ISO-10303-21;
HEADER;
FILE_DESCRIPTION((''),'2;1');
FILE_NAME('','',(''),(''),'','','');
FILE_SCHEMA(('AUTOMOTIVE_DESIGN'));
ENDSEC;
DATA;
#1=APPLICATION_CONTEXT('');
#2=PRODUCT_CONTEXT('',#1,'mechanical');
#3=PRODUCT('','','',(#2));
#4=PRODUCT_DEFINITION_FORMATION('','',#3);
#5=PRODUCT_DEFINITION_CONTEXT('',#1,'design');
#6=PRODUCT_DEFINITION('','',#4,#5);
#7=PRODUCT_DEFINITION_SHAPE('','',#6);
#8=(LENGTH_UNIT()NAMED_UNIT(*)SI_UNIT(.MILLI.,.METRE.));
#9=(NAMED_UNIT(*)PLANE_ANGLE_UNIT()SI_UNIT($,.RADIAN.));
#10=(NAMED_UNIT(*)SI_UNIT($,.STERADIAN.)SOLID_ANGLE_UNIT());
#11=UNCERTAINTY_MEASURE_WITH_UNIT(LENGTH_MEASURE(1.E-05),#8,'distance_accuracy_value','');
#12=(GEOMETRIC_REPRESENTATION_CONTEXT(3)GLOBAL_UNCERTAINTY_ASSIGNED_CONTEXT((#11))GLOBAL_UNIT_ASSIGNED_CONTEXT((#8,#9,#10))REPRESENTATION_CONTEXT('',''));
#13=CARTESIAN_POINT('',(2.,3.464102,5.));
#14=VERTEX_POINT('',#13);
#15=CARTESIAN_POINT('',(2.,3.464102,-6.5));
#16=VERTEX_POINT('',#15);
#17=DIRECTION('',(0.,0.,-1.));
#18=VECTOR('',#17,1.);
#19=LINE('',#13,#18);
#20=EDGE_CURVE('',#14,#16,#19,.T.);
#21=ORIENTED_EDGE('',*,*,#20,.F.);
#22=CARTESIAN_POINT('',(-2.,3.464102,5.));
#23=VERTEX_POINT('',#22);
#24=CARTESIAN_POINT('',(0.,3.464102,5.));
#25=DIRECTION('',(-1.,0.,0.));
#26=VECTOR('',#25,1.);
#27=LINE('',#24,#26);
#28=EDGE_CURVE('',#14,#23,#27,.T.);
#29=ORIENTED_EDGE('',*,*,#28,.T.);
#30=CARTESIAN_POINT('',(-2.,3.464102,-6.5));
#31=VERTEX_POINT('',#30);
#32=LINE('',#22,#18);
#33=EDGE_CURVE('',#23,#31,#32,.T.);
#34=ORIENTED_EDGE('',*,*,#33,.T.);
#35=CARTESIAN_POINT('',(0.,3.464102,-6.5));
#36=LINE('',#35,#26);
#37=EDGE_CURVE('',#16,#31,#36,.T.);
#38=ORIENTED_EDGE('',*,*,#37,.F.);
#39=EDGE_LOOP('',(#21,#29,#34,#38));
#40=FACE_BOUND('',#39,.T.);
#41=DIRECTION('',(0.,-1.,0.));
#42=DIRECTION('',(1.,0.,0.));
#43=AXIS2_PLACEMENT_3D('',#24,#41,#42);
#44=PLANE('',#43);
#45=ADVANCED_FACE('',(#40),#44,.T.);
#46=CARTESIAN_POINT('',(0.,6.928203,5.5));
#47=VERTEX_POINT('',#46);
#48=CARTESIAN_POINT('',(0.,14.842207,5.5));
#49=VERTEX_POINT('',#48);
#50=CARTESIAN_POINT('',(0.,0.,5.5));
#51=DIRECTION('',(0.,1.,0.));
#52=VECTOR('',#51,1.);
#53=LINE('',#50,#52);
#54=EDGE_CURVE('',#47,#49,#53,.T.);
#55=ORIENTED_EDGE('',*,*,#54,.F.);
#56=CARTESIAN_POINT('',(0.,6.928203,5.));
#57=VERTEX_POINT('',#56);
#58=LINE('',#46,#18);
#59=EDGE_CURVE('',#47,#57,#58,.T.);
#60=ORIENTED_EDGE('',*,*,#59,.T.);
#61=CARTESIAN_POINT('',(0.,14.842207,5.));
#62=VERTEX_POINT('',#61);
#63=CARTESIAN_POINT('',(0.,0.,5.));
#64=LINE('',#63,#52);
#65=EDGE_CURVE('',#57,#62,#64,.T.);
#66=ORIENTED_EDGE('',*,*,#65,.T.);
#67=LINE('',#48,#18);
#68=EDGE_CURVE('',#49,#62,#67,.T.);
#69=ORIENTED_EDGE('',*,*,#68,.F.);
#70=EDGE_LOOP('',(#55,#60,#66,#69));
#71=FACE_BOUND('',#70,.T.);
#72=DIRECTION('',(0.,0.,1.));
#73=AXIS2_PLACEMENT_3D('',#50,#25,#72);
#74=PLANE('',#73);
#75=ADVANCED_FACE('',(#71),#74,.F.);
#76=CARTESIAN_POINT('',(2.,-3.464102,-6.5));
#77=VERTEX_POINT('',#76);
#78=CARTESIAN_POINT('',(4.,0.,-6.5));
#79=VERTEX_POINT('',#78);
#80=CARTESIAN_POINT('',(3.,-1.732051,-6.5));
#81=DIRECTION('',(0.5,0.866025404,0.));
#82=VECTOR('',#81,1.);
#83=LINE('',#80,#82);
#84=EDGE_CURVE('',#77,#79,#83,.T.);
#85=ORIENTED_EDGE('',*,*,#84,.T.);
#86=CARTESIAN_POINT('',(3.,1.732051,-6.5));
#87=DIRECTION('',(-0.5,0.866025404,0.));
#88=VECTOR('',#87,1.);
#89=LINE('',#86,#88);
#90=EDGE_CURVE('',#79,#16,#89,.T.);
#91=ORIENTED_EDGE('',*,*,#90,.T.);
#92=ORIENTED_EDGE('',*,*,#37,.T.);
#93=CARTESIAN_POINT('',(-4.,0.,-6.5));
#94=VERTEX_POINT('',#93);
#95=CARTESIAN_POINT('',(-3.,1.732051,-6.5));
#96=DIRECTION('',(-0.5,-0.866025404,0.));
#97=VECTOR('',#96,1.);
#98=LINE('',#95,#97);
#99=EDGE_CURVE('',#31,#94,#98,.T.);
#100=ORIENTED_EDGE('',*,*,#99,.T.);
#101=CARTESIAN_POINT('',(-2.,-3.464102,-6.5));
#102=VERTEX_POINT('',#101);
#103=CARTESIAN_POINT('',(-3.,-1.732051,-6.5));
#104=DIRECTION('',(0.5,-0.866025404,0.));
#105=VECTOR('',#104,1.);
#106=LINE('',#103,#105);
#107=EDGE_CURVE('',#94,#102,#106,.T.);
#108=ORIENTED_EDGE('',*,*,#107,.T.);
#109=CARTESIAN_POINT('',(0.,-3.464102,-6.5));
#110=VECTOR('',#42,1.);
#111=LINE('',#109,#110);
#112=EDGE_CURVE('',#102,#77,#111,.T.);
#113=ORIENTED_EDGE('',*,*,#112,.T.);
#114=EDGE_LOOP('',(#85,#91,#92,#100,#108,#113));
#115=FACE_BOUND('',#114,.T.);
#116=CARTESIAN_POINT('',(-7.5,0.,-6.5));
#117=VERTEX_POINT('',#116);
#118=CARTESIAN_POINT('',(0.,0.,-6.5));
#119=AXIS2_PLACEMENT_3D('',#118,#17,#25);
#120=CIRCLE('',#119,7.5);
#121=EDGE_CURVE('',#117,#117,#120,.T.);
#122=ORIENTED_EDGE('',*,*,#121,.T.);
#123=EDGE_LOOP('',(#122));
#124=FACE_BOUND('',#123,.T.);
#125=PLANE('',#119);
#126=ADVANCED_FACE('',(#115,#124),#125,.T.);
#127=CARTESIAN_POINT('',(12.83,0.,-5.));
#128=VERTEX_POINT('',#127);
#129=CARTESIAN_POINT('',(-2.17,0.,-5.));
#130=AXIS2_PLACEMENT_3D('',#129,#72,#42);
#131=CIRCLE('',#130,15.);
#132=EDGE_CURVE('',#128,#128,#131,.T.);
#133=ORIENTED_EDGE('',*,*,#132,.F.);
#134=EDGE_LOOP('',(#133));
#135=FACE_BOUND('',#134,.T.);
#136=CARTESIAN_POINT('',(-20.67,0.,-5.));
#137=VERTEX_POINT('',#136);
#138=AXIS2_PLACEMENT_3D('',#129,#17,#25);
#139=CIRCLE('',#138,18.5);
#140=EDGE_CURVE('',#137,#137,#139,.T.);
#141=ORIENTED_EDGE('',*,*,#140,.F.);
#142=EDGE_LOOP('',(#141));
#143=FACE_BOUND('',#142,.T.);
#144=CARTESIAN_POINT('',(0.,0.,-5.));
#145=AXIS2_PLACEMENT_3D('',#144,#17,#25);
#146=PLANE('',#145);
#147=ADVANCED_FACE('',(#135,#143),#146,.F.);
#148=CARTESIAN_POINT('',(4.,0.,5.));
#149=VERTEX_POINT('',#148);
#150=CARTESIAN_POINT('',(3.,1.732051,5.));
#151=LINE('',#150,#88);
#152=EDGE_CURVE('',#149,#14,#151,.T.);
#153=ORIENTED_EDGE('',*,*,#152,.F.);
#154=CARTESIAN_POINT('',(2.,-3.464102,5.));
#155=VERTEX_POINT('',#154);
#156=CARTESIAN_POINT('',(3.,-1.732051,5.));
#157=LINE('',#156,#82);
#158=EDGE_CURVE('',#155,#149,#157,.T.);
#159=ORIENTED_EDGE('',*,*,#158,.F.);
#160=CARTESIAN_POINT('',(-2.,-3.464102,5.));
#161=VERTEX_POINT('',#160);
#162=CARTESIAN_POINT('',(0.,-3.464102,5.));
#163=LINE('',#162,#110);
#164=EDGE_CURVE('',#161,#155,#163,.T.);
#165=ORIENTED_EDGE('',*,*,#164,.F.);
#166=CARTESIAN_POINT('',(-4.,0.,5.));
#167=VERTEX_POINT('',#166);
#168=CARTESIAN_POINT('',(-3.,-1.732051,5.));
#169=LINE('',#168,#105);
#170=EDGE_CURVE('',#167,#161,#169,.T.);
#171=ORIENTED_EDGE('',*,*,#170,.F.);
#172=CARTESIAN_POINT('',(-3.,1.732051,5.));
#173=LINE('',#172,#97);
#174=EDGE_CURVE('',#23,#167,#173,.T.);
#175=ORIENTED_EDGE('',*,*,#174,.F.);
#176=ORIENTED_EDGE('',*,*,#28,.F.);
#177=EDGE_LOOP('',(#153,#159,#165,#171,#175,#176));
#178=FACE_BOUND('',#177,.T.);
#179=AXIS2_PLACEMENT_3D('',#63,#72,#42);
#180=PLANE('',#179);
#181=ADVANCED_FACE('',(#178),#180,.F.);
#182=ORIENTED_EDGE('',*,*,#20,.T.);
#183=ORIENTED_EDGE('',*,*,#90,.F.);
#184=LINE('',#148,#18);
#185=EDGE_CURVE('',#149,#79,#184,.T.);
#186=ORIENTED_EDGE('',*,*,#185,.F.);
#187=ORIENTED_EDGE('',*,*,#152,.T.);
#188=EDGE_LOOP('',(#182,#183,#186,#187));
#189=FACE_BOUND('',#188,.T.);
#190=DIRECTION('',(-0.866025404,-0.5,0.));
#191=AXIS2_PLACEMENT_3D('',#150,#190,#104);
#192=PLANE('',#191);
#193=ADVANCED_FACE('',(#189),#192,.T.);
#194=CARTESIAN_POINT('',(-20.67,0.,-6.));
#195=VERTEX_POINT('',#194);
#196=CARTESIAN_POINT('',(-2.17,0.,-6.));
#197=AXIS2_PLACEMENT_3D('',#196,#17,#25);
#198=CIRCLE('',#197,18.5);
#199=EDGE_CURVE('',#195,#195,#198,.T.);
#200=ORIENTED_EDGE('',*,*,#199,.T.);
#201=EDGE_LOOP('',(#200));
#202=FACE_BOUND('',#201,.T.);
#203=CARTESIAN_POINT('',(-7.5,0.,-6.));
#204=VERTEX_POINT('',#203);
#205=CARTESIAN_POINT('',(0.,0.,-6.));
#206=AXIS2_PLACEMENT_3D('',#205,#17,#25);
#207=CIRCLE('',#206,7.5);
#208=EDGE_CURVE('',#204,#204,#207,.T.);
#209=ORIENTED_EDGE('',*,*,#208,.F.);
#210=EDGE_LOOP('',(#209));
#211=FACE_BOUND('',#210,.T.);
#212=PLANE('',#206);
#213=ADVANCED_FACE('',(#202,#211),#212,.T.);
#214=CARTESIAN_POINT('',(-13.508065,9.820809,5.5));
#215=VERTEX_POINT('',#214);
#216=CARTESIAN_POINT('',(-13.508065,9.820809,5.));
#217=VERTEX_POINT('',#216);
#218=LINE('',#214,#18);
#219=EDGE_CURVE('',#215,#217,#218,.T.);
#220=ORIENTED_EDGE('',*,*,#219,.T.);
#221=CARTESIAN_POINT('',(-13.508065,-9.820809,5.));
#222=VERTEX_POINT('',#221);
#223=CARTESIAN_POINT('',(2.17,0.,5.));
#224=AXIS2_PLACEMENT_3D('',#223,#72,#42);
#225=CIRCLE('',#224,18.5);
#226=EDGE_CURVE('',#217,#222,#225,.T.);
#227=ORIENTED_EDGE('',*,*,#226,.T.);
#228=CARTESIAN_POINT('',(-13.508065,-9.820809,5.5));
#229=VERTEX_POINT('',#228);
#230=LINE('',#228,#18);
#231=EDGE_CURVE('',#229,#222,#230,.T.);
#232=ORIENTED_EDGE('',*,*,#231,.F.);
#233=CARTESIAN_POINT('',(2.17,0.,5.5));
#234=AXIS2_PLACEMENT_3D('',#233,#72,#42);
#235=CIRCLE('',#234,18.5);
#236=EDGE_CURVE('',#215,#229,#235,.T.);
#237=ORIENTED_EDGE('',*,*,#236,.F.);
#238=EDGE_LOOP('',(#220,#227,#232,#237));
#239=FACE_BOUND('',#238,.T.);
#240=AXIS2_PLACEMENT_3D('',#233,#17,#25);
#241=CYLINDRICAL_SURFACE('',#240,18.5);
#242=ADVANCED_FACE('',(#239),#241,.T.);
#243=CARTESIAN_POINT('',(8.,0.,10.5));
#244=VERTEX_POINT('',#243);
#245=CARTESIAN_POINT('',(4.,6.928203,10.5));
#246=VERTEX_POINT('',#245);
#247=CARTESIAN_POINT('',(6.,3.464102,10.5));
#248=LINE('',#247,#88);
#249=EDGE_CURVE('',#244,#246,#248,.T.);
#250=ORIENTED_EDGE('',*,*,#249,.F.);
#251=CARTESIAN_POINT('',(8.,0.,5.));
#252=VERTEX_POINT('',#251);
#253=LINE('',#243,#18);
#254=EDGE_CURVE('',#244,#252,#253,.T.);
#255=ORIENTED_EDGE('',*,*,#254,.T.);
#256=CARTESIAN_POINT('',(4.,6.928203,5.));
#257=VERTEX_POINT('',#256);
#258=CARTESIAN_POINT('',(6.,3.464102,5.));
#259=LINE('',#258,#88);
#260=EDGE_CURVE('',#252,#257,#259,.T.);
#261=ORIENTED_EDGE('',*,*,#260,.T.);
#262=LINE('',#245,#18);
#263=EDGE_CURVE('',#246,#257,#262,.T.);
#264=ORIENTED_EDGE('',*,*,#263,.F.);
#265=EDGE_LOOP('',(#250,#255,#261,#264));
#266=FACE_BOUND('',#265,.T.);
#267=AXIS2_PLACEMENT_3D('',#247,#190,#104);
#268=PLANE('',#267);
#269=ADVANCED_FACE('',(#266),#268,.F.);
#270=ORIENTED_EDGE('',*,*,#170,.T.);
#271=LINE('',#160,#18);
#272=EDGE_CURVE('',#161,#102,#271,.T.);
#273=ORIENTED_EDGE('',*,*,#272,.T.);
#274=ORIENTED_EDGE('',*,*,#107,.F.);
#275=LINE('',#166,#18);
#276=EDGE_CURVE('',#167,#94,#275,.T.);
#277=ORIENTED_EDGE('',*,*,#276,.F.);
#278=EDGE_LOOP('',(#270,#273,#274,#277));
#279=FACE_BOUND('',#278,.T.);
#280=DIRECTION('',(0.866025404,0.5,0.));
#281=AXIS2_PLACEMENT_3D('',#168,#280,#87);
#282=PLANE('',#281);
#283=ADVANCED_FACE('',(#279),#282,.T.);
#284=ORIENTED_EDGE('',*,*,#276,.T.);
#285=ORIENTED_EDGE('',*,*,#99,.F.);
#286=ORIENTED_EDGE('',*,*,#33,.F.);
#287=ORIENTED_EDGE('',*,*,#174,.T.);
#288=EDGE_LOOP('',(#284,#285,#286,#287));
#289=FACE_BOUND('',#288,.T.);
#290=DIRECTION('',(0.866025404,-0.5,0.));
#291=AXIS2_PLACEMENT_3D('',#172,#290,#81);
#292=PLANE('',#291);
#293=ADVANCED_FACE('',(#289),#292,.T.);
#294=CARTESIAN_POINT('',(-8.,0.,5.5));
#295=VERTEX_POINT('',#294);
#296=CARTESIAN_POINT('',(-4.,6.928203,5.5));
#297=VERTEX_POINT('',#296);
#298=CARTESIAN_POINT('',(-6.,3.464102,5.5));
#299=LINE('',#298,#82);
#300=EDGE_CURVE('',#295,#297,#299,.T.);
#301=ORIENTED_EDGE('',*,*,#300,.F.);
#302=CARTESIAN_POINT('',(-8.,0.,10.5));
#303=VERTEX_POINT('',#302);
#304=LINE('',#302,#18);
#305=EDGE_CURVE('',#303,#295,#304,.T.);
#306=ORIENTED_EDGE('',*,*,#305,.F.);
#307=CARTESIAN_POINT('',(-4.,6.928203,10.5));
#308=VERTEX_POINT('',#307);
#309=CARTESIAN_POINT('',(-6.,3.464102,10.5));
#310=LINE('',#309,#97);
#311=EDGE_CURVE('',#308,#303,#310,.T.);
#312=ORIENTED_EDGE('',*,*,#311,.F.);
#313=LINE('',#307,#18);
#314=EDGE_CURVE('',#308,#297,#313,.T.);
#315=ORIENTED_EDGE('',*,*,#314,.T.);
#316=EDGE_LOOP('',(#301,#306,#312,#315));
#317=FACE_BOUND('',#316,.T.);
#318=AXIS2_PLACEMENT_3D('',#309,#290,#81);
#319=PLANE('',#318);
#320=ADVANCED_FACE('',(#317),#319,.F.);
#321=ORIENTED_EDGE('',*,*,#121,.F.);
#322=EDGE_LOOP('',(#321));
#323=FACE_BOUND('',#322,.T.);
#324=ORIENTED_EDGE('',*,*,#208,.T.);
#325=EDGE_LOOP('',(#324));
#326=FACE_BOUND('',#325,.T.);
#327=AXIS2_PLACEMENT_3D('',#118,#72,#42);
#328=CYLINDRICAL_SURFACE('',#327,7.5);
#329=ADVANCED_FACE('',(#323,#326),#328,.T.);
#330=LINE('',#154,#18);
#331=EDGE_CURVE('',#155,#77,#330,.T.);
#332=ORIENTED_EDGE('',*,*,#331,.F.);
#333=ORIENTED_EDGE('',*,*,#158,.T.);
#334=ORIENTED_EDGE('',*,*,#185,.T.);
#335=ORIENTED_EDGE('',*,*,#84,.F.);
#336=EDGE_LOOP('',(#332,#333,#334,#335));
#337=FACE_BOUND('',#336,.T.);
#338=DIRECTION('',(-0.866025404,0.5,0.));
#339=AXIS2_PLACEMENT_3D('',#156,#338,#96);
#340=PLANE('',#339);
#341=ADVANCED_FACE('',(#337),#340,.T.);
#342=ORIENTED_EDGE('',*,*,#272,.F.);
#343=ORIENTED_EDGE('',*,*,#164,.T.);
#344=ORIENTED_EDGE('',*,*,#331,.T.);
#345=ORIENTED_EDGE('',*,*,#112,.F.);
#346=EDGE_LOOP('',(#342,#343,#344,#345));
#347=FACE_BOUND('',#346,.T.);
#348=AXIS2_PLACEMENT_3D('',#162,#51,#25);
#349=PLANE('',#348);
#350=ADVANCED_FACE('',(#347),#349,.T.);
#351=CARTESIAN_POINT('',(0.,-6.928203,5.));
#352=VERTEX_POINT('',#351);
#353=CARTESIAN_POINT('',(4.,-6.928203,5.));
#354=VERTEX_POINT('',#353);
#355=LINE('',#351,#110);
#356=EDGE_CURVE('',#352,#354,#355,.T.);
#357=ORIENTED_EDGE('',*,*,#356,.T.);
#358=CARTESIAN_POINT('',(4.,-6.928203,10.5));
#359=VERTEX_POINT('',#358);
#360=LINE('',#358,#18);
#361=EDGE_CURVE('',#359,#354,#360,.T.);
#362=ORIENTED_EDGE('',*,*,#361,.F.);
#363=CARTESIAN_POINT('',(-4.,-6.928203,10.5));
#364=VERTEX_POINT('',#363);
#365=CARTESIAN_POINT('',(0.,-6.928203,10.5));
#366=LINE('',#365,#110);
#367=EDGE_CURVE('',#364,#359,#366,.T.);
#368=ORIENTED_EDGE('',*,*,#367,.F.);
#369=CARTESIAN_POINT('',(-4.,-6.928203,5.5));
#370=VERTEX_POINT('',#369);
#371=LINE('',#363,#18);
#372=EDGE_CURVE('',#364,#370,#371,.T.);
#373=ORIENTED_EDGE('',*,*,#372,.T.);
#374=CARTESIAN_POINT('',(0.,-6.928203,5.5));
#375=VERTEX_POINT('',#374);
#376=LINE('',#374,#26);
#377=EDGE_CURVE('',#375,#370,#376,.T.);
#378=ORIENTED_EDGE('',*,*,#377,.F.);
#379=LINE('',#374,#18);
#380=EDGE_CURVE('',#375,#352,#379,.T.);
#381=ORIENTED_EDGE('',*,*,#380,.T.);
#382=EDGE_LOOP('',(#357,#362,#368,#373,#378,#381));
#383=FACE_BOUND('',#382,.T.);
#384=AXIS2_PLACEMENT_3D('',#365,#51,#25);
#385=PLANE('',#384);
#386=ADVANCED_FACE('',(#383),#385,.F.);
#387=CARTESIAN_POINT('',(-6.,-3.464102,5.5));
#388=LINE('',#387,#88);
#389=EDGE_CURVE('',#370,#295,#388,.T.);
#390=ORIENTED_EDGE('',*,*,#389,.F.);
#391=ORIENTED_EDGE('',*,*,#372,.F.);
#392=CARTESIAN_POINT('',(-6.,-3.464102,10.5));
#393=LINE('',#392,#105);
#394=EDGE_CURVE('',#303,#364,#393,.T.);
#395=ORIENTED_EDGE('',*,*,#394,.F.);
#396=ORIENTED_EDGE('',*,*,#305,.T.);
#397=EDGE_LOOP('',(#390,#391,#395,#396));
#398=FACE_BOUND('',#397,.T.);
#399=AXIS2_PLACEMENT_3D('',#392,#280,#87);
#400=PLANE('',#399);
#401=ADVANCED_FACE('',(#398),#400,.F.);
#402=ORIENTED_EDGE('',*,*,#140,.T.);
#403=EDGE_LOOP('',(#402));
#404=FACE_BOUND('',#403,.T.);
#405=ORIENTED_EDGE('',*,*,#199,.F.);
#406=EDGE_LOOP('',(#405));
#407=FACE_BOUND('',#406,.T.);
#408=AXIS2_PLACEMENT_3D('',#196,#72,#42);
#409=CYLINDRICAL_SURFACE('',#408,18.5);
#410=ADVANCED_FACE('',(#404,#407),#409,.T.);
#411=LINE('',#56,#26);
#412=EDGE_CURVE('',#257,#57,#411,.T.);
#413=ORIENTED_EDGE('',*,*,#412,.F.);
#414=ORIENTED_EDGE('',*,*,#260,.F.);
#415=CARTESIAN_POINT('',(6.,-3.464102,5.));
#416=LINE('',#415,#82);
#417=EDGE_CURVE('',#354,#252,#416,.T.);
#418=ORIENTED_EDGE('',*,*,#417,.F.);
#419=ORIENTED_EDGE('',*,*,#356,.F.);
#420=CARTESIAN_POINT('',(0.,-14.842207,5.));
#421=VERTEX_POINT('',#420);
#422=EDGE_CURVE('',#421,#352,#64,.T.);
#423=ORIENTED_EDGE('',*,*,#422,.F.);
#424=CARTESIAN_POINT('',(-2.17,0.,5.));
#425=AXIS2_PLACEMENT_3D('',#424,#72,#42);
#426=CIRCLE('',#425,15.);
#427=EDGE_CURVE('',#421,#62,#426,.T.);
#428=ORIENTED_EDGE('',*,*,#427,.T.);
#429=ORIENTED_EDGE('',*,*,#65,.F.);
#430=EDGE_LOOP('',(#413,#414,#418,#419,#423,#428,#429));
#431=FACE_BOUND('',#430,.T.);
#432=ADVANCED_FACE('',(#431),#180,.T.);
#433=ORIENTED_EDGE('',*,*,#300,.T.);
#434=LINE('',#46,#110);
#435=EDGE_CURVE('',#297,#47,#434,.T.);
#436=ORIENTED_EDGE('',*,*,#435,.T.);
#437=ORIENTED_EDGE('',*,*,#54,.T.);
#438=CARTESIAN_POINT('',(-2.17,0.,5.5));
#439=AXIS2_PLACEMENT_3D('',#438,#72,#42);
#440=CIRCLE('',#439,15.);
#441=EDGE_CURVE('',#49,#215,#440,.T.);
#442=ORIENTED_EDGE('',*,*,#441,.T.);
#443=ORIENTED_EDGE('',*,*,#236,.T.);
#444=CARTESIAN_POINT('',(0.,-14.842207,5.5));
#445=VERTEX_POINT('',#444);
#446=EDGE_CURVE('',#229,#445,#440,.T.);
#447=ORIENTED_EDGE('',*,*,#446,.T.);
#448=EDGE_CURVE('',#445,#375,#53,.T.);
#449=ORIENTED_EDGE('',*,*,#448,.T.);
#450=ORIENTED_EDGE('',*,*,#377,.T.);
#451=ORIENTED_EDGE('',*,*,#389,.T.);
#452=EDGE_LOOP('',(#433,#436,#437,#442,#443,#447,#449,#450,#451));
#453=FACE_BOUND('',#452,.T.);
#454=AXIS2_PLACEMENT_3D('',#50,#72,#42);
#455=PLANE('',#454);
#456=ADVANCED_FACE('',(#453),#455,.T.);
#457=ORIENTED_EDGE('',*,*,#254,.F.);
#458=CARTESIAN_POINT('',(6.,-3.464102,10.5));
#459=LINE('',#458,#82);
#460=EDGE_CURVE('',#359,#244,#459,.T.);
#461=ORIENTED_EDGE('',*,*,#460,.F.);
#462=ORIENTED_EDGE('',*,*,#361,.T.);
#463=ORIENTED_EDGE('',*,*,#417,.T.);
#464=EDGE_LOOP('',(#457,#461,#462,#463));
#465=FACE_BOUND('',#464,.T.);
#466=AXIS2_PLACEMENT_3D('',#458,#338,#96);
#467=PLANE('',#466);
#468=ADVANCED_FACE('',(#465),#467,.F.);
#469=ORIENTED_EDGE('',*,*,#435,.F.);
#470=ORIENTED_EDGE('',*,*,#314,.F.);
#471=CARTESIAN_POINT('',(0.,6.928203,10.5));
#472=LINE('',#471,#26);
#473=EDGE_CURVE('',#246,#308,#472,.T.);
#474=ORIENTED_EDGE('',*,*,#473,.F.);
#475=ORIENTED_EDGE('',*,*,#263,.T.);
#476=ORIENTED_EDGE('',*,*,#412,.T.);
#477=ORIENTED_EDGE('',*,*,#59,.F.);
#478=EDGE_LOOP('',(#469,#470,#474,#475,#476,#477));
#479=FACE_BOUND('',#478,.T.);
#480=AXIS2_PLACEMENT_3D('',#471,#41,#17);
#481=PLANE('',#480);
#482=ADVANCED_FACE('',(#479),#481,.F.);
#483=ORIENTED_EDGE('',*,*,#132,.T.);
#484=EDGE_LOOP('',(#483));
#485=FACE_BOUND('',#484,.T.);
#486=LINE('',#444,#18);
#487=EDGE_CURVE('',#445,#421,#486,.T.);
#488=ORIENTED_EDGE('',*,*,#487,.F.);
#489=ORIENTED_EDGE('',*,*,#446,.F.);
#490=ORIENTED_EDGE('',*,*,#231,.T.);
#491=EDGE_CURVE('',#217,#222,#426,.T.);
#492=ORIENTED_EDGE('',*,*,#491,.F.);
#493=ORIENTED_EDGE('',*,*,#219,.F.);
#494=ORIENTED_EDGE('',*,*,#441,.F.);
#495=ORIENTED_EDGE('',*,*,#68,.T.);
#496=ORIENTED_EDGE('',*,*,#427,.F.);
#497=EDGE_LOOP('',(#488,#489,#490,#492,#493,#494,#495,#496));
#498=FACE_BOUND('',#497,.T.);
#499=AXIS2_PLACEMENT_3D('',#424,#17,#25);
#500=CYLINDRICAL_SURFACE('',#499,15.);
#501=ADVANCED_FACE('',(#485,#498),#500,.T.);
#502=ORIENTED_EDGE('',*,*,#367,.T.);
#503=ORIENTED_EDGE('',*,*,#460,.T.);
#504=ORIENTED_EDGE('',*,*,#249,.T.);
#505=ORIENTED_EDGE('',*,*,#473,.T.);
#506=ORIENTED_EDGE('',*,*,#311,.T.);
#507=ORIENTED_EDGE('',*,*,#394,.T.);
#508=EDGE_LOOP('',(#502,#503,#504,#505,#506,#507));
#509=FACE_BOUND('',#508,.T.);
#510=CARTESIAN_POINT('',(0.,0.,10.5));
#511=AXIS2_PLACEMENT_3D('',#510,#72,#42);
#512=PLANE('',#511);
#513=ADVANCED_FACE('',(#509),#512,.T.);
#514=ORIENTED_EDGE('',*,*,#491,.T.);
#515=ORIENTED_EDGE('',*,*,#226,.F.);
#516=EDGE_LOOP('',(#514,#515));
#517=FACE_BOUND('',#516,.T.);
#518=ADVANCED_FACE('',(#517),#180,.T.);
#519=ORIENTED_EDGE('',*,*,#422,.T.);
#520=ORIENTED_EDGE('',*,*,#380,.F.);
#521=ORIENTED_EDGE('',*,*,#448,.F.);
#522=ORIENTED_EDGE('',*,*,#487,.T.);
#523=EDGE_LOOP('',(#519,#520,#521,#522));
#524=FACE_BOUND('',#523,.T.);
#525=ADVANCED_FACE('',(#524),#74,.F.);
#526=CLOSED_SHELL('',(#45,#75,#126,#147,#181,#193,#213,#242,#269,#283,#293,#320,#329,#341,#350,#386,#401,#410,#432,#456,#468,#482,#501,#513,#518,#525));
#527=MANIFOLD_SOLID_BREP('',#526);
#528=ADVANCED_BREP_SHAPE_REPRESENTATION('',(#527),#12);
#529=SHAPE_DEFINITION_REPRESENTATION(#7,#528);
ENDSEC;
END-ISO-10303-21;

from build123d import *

# Parameters (mm, degrees)
SKETCH1_R           = 15
BOSS_EXTRUDE1_DEPTH = 5
SKETCH3_R           = 18.5
SKETCH3_R_2         = 15
BOSS_EXTRUDE3_DEPTH = 1
SKETCH2_R           = 7.5
BOSS_EXTRUDE2_DEPTH = 0.5
BOSS_EXTRUDE5_DEPTH = 5.5
BOSS_EXTRUDE6_START = 0.5
BOSS_EXTRUDE6_DEPTH = 0.5


with BuildPart() as part:
    # Sketch1 → Boss-Extrude1 (new, symmetric)
    with BuildSketch(Plane.XY):
        with Locations((-2.17, 0)):
            Circle(SKETCH1_R)
        Polygon((-2, 3.464101615), (-4, 0), (-2, -3.464101615), (2, -3.464101615), (4, 0), (2, 3.464101615), align=None, mode=Mode.SUBTRACT)
    extrude(amount=BOSS_EXTRUDE1_DEPTH, both=True)

    # Sketch3 → Boss-Extrude3 (add)
    # profile 1 of 2: a face of its own
    with BuildSketch(Plane(origin=(0, 0, -5), x_dir=(-1, 0, 0), z_dir=(0, 0, -1))):
        with Locations((2.17, 0)):
            Circle(SKETCH3_R)
        with Locations(Location((2.17, 0, 0), (0, 0, 180))):
            Circle(SKETCH3_R_2, mode=Mode.SUBTRACT)
    # profile 2 of 2: a face of its own
    with BuildSketch(Plane(origin=(0, 0, -5), x_dir=(-1, 0, 0), z_dir=(0, 0, -1))):
        with Locations(Location((2.17, 0, 0), (0, 0, 180))):
            Circle(SKETCH3_R_2)
        Polygon((-4, 0), (-2, 3.464101615), (2, 3.464101615), (4, 0), (2, -3.464101615), (-2, -3.464101615), align=None, mode=Mode.SUBTRACT)
    extrude(amount=BOSS_EXTRUDE3_DEPTH)

    # Sketch2 → Boss-Extrude2 (add)
    with BuildSketch(Plane(origin=(0, 0, -6), x_dir=(-1, 0, 0), z_dir=(0, 0, -1))):
        Circle(SKETCH2_R)
        Polygon((2, -3.464101615), (-2, -3.464101615), (-4, 0), (-2, 3.464101615), (2, 3.464101615), (4, 0), align=None, mode=Mode.SUBTRACT)
    extrude(amount=BOSS_EXTRUDE2_DEPTH)

    # Sketch4 → Boss-Extrude5 (add)
    with BuildSketch(Plane.XY.offset(5)):
        Polygon((4, 6.92820323), (-4, 6.92820323), (-8, 0), (-4, -6.92820323), (4, -6.92820323), (8, 0), align=None)
    extrude(amount=BOSS_EXTRUDE5_DEPTH)

    # Sketch5 → Boss-Extrude6 (add)
    with BuildSketch(Plane.XY.offset(5).offset(BOSS_EXTRUDE6_START)):
        with BuildLine():
            ThreePointArc((-13.508064516, -9.820809184), (-7.396562926, -14.059980085), (0, -14.842206709))
            Line((0, -14.842206709), (0, -6.92820323))
            Line((0, -6.92820323), (-4, -6.92820323))
            Line((-4, -6.92820323), (-8, 0))
            Line((-8, 0), (-4, 6.92820323))
            Line((-4, 6.92820323), (0, 6.92820323))
            Line((0, 6.92820323), (0, 14.842206709))
            ThreePointArc((0, 14.842206709), (-7.396562926, 14.059980085), (-13.508064516, 9.820809184))
            ThreePointArc((-13.508064516, 9.820809184), (-16.33, 0), (-13.508064516, -9.820809184))
        make_face()
    extrude(amount=-BOSS_EXTRUDE6_DEPTH)


solid = part.part
